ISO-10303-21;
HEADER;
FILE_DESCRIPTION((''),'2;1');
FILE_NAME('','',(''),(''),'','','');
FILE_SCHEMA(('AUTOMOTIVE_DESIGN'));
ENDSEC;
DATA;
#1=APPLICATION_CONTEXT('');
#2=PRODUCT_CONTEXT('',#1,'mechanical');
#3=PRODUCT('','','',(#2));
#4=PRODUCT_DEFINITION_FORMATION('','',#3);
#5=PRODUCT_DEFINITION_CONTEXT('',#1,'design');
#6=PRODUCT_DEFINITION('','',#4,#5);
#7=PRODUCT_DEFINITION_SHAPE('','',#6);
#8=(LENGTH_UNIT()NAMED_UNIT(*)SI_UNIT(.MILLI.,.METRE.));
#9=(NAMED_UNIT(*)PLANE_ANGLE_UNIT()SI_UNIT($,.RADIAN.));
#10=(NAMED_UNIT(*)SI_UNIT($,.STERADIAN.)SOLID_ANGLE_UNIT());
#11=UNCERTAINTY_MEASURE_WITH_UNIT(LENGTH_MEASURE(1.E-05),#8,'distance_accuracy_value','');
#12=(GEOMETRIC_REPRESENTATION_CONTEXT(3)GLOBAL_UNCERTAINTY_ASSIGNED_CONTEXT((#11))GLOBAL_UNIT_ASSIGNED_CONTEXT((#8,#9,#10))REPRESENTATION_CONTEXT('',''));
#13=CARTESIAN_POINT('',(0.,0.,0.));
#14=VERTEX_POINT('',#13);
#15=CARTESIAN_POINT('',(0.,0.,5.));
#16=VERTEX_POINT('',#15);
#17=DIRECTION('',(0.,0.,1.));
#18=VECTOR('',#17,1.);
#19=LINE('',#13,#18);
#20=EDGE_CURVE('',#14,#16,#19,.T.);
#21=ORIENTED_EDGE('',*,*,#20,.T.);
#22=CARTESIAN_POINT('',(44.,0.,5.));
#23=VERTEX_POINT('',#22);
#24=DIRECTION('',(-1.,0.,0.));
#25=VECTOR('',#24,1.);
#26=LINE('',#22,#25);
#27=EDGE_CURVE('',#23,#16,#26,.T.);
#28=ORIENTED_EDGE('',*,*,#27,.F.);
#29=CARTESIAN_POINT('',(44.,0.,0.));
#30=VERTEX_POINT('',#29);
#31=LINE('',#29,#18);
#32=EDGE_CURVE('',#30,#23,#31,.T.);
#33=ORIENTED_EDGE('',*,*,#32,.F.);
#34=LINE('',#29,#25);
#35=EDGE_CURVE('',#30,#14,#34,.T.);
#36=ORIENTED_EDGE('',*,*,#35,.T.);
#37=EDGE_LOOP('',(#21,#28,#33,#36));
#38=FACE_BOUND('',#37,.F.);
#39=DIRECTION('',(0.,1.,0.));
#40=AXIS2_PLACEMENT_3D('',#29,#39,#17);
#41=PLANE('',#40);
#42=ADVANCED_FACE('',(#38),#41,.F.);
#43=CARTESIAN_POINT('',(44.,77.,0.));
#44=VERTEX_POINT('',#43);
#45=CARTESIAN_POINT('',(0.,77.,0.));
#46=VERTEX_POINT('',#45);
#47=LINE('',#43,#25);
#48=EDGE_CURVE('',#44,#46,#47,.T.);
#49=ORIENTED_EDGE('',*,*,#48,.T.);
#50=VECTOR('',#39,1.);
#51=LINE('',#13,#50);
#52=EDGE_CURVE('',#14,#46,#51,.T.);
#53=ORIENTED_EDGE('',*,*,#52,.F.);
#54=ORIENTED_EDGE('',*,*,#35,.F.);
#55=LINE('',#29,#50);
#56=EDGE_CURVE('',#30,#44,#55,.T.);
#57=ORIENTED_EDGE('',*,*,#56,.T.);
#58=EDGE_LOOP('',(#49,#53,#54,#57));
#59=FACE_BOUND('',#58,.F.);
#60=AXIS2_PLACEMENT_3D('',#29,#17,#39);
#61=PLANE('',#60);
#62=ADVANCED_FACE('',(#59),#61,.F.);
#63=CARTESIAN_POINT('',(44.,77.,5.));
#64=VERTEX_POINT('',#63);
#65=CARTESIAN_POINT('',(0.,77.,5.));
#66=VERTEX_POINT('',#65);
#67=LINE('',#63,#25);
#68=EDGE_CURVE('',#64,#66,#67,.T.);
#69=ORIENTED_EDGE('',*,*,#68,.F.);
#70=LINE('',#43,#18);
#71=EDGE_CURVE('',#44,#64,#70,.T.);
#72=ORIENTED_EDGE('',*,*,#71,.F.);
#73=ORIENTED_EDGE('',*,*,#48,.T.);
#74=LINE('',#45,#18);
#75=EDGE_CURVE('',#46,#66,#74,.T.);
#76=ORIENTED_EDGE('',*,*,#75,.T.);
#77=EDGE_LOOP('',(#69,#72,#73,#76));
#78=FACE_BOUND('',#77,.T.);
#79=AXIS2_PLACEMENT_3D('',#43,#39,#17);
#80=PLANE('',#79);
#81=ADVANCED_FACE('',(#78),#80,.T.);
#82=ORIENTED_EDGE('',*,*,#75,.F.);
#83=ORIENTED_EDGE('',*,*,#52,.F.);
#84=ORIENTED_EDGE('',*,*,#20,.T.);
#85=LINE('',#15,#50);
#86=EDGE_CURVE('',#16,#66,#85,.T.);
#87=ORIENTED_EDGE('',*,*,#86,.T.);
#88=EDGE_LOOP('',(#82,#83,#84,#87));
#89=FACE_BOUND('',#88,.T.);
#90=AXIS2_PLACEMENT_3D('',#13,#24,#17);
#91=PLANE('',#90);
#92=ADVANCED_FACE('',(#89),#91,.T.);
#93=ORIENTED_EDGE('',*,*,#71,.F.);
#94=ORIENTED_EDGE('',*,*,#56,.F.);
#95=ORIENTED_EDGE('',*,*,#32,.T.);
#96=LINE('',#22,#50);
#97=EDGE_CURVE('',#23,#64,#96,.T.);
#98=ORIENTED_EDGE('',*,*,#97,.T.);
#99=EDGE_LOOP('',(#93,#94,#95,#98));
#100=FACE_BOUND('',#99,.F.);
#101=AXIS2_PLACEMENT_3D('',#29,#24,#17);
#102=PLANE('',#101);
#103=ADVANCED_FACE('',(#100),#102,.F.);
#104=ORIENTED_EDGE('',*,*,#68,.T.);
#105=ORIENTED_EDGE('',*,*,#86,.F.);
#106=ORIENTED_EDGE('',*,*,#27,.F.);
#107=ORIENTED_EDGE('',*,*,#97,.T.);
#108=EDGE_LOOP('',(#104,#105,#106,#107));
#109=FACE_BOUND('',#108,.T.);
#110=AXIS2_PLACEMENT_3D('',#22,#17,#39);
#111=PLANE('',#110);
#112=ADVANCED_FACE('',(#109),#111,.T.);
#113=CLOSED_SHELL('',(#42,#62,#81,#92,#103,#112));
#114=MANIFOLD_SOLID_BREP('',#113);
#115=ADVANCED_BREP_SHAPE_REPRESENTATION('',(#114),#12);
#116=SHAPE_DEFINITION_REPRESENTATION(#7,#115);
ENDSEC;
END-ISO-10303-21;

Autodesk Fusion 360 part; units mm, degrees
box "BoxPrimitive2" add length 77 width 44 height 5 placed x (0, 1, 0) y (-1, 0, 0) z (0, 0, 1) at (44, 0, 0)
